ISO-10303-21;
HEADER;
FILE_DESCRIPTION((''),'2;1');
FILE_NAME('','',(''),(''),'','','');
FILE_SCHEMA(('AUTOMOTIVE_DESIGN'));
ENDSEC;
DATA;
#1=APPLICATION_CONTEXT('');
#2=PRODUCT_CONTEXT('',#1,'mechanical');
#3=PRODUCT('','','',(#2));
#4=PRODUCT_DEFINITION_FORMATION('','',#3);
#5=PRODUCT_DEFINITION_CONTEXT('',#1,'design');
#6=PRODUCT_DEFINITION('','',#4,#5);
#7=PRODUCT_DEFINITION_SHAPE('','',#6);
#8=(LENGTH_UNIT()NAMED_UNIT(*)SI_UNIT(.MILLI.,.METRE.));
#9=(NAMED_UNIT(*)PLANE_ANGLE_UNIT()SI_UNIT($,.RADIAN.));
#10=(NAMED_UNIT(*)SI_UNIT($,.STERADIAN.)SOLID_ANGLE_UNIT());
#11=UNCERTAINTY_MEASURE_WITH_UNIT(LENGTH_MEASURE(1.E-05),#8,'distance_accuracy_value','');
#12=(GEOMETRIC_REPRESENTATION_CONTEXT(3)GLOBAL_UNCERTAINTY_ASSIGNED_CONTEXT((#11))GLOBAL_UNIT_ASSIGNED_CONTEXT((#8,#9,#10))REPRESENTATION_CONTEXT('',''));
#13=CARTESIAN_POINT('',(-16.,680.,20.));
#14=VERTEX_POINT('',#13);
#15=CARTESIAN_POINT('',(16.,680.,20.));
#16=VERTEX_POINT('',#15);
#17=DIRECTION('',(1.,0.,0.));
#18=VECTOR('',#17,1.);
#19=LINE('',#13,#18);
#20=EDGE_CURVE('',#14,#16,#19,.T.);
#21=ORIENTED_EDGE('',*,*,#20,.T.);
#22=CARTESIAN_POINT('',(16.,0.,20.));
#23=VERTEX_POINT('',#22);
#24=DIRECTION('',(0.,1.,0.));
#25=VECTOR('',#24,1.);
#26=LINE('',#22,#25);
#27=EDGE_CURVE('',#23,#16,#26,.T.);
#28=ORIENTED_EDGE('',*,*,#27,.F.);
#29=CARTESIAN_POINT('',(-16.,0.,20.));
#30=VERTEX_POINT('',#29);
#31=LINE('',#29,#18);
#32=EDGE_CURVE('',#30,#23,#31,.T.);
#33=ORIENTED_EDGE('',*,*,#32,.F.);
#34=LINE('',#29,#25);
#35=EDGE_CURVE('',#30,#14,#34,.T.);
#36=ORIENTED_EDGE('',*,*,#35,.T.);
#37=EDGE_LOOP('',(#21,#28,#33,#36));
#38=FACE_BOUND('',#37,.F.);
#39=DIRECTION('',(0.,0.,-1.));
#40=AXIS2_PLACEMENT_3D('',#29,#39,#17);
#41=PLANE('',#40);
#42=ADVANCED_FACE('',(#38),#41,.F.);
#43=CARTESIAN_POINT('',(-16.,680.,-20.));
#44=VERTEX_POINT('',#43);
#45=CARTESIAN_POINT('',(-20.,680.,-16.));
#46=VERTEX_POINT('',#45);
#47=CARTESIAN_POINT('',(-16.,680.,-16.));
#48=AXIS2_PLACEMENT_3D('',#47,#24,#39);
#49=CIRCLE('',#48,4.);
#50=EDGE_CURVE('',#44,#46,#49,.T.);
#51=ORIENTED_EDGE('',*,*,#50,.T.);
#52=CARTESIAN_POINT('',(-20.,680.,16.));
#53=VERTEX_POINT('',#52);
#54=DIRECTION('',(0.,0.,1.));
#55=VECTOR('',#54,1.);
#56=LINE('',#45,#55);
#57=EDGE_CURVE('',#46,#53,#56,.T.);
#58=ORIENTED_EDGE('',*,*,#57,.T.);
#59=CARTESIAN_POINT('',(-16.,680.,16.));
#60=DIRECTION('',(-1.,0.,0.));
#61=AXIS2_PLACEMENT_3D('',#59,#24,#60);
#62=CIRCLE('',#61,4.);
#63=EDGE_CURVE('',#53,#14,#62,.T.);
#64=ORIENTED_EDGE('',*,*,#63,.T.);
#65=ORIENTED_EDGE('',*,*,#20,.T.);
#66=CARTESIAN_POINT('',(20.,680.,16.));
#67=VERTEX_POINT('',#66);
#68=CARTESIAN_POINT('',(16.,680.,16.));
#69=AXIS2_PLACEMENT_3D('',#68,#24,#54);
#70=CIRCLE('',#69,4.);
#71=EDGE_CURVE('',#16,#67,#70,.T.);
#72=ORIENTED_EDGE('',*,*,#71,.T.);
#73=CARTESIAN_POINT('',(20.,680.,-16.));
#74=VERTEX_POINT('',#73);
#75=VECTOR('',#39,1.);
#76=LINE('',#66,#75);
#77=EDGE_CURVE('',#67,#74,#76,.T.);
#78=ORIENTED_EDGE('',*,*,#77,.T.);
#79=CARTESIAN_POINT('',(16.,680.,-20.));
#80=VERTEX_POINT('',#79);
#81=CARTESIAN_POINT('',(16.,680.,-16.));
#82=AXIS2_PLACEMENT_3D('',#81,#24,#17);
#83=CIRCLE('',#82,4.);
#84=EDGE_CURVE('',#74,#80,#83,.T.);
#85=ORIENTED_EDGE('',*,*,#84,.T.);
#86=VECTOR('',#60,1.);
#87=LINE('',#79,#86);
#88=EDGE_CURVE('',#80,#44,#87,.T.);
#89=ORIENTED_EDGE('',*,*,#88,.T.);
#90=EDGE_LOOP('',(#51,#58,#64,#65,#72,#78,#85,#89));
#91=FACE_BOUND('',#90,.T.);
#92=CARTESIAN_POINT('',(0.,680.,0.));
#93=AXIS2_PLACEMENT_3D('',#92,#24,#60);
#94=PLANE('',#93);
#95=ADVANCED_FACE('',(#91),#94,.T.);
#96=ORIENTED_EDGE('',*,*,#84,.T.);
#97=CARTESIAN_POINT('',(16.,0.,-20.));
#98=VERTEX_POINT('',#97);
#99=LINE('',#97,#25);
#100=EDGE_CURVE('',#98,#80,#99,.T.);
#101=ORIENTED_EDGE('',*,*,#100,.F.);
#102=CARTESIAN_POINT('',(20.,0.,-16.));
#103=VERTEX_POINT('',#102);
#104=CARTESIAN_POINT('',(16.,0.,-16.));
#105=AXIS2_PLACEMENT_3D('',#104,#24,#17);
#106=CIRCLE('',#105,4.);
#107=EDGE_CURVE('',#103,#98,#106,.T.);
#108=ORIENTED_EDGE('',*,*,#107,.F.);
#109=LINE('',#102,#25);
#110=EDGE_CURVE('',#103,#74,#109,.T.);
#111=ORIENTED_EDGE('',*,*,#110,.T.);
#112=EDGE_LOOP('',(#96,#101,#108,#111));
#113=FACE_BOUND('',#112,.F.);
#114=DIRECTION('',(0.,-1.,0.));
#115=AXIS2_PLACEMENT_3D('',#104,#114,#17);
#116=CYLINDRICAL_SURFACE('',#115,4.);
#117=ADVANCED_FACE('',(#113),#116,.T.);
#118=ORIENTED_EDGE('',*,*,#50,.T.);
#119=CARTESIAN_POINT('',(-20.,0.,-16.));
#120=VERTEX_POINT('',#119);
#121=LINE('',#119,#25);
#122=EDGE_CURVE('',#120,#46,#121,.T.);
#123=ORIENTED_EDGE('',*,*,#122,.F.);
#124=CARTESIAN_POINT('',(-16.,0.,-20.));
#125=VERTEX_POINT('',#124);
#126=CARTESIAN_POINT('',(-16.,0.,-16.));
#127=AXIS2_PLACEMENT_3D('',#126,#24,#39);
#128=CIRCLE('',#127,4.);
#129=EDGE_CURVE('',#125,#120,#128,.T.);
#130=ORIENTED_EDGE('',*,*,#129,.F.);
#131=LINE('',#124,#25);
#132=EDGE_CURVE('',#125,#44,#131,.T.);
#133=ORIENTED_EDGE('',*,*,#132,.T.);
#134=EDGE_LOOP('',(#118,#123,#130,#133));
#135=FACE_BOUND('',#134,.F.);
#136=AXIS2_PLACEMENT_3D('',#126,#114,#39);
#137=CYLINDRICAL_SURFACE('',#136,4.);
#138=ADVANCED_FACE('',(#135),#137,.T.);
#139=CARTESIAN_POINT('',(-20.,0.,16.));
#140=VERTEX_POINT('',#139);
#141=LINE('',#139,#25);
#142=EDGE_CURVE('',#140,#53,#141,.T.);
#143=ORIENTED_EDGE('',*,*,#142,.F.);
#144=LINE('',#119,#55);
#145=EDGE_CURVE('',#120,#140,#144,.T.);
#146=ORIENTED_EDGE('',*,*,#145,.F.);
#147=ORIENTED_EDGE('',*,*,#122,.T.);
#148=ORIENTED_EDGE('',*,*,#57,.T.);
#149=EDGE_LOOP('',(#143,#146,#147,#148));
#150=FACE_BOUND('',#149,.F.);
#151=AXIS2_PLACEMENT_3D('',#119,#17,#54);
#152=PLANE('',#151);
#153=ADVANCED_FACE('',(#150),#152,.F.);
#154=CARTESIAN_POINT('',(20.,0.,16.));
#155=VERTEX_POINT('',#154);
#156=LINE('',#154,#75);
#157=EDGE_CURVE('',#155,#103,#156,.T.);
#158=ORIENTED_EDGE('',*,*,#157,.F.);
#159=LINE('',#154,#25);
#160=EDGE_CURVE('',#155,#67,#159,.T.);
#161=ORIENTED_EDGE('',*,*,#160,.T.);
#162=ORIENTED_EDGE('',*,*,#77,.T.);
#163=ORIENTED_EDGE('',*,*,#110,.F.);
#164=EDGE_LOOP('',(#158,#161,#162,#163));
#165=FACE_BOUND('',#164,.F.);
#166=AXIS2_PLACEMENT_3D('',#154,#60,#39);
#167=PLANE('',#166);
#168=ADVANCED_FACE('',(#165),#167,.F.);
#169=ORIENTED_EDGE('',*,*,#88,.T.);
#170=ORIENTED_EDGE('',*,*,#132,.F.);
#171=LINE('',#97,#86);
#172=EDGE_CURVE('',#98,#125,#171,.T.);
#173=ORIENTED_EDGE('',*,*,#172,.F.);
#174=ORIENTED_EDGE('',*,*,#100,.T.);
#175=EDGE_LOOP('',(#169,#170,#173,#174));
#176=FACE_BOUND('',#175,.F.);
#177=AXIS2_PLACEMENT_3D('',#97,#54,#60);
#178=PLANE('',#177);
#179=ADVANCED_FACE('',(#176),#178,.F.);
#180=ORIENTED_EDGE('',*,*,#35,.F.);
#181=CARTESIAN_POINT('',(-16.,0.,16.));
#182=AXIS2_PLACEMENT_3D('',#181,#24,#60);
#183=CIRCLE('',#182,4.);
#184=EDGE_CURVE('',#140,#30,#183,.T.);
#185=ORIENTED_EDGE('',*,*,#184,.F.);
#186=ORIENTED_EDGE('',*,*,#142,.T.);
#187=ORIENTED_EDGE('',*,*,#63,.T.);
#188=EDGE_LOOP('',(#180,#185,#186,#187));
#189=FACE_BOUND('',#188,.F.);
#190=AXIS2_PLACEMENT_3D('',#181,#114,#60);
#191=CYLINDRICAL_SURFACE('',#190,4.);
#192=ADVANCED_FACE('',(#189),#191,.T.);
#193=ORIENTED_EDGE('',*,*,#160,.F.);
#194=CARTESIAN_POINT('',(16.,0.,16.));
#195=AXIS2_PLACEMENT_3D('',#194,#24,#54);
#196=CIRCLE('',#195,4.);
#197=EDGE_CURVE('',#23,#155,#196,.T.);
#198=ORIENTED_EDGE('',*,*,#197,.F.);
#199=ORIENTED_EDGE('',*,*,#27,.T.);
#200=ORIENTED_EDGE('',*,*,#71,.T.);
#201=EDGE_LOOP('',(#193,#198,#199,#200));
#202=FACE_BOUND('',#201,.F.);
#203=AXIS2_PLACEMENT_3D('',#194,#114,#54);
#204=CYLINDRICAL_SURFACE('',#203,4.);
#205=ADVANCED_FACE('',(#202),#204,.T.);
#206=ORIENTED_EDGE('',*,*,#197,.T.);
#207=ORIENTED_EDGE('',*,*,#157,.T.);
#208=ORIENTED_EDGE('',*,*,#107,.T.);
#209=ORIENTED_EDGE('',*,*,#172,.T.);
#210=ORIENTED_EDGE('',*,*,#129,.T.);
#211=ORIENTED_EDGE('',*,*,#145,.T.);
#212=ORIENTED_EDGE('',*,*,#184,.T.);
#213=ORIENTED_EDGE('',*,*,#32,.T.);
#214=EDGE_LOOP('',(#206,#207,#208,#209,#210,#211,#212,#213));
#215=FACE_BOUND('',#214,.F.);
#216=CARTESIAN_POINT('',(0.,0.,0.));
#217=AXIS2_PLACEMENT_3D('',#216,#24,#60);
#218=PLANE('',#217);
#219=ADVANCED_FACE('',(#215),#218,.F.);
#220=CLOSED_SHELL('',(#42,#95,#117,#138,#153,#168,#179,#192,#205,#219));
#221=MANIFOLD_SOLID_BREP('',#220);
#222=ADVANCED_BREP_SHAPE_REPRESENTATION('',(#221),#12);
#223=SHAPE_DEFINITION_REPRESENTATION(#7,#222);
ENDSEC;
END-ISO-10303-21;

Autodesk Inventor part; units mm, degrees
ref_plane "YZ Plane" through (0, 0, 0) normal (1, 0, 0) x (0, 1, 0)
ref_plane "XZ Plane" through (0, 0, 0) normal (0, 1, 0) x (-1, 0, 0)
ref_plane "XY Plane" through (0, 0, 0) normal (0, 0, 1) x (1, 0, 0)
sketch "Sketch1" plane through (0, 0, 0) normal (0, 1, 0) x (-1, 0, 0)
  line L0 (0, 12.4728) -> (0, -12.4728) construction
  line L1 (2.135, 0) -> (-2.135, 0) construction
  line L2 (16, 20) -> (-16, 20)
  line L3 (-20, 16) -> (-20, -16)
  line L4 (-16, -20) -> (16, -20)
  line L5 (20, -16) -> (20, 16)
  arc A0 (-16, 20) -> (-20, 16) centre (-16, 16) ccw
  arc A1 (-20, -16) -> (-16, -20) centre (-16, -16) ccw
  arc A2 (16, -20) -> (20, -16) centre (16, -16) ccw
  arc A3 (20, 16) -> (16, 20) centre (16, 16) ccw
  point P0 (0, 0)
  point P1 (0, 0)
  dimension "d1" = 4
  dimension "d2" = 4
  dimension "d3" = 40
extrude "Extrusion1" add sketch "Sketch1" along normal blind 680
properties part number "item40x40_1000"
